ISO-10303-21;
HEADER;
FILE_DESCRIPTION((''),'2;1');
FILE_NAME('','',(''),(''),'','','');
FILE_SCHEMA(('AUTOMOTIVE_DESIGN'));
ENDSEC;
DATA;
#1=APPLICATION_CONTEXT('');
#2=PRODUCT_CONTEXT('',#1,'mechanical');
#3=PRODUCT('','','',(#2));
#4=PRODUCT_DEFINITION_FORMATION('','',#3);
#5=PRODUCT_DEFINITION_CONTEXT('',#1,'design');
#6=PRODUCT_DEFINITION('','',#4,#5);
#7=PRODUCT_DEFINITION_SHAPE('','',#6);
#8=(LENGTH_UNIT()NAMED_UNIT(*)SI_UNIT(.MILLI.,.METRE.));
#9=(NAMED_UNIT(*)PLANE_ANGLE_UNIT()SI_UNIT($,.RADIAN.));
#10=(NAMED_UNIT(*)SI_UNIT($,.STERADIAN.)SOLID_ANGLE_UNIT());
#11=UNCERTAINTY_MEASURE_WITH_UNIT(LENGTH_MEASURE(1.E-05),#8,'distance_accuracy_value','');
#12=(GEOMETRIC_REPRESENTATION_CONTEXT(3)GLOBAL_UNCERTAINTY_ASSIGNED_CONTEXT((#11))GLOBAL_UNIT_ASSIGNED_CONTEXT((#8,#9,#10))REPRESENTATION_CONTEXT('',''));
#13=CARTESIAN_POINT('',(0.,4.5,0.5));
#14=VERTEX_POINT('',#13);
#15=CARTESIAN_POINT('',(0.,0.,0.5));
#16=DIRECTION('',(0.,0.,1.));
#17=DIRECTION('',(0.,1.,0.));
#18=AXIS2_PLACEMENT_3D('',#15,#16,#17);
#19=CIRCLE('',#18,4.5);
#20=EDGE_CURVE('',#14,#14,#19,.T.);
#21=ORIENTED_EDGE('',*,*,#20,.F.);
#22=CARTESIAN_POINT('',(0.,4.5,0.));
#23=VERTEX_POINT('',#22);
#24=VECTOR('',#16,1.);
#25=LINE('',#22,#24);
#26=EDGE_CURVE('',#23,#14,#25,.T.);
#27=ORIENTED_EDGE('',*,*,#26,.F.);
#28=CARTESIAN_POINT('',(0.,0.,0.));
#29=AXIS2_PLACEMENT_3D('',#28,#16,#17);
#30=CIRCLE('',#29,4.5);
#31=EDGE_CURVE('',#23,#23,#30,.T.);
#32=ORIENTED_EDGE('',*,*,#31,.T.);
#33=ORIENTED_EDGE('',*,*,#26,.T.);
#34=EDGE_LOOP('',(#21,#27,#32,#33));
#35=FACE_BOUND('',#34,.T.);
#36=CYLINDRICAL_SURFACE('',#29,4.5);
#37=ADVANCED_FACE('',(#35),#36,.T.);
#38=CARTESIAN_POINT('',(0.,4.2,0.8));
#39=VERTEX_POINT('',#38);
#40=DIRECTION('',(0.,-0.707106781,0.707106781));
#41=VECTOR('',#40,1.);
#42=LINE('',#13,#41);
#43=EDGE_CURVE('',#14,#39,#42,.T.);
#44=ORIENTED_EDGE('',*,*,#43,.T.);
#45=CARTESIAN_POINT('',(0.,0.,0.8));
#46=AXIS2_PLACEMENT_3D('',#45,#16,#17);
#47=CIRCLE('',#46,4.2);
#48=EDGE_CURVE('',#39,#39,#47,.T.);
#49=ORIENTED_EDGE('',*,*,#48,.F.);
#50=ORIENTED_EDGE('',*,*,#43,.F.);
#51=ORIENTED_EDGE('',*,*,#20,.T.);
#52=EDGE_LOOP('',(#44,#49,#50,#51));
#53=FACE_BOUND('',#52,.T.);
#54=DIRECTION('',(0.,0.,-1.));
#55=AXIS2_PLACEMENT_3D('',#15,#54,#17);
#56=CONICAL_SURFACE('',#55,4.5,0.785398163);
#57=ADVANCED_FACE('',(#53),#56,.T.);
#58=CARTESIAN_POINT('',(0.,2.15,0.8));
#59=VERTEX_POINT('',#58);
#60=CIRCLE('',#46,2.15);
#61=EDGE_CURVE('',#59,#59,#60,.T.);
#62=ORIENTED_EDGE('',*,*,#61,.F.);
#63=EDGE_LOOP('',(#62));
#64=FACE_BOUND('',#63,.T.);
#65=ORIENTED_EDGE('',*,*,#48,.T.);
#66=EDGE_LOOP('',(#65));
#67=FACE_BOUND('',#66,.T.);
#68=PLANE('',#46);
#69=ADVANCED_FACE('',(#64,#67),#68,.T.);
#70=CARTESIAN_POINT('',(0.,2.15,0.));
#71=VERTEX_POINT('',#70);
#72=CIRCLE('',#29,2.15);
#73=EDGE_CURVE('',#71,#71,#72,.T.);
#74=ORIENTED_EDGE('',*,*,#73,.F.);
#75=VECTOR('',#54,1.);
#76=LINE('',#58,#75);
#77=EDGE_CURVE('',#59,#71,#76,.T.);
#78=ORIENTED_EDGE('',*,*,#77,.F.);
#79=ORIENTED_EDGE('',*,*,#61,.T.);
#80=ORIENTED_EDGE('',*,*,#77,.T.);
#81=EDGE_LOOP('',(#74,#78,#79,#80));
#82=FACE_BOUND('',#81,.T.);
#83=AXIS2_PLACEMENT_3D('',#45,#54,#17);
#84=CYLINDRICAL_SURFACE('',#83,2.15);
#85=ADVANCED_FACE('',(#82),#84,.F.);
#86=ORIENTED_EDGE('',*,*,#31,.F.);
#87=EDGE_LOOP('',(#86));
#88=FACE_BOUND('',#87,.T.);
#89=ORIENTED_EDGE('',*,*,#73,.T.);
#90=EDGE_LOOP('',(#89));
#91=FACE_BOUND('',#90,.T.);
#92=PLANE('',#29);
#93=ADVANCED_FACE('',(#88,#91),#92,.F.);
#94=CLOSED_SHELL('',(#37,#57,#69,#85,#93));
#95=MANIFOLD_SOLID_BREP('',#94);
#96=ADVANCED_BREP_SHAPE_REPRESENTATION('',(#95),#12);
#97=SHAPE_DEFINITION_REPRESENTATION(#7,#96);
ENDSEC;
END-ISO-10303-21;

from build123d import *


with BuildPart() as part:
    # Sketch → Revolution (revolve)
    with BuildSketch(Plane.YZ):
        Polygon((2.15, 0), (4.5, 0), (4.5, 0.5), (4.2, 0.8), (2.15, 0.8), align=None)
    revolve(axis=Axis((0, 0, 0), (0, 0, 1)))


solid = part.part
